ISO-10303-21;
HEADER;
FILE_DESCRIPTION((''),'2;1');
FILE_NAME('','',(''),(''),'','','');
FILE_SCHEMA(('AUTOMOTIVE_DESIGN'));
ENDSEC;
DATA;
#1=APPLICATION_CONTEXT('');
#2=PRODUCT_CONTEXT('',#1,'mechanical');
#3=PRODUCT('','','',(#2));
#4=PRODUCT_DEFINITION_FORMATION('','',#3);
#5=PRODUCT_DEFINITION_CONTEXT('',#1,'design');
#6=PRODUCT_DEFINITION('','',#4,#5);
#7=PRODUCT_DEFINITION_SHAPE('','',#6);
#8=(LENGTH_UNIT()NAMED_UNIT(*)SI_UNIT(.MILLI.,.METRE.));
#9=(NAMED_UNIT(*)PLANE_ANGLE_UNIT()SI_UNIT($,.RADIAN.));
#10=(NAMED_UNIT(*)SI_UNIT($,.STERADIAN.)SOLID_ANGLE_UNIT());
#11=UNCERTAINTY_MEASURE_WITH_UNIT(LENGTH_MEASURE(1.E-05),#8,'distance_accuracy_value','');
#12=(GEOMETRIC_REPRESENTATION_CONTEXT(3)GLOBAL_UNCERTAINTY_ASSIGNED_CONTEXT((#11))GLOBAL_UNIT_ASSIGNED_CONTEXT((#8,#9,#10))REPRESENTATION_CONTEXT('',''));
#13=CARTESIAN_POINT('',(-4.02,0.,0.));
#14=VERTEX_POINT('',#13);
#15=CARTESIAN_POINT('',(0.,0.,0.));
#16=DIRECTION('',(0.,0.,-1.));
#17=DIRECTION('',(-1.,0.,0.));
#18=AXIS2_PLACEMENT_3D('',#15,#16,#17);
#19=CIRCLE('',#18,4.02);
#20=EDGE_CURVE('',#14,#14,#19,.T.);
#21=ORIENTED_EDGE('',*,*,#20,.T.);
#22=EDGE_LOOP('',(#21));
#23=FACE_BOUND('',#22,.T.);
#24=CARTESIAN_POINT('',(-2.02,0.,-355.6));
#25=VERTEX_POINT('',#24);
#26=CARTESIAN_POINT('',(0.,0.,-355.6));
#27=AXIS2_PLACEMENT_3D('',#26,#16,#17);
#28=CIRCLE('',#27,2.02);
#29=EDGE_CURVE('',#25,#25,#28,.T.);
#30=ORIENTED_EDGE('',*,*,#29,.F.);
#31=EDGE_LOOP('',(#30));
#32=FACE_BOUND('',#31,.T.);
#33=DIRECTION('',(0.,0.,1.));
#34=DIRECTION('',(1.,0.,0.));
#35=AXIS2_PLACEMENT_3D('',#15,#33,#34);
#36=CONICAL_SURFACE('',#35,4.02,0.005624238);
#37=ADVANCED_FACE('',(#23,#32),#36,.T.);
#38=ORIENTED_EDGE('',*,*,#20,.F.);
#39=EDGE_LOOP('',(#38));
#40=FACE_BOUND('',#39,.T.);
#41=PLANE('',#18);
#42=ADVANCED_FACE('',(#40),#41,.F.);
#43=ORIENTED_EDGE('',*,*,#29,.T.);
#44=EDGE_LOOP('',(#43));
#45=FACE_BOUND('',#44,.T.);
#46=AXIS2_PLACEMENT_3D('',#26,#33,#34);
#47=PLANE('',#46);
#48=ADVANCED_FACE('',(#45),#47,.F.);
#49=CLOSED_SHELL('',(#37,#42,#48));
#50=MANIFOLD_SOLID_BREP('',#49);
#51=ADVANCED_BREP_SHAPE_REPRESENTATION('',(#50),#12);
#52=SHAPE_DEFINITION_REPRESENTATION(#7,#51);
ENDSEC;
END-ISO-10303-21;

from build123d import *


with BuildPart() as part:
    # Sketch1 → Revolve1 (revolve)
    with BuildSketch(Plane(origin=(0, 0, 0), x_dir=(1, 0, 0), z_dir=(0, 1, 0))):
        Polygon((2.02, 355.6), (0, 355.6), (0, 0), (4.02, 0), align=None)
    revolve(axis=Axis((0, 0, -355.6), (0, 0, 1)))


solid = part.part
